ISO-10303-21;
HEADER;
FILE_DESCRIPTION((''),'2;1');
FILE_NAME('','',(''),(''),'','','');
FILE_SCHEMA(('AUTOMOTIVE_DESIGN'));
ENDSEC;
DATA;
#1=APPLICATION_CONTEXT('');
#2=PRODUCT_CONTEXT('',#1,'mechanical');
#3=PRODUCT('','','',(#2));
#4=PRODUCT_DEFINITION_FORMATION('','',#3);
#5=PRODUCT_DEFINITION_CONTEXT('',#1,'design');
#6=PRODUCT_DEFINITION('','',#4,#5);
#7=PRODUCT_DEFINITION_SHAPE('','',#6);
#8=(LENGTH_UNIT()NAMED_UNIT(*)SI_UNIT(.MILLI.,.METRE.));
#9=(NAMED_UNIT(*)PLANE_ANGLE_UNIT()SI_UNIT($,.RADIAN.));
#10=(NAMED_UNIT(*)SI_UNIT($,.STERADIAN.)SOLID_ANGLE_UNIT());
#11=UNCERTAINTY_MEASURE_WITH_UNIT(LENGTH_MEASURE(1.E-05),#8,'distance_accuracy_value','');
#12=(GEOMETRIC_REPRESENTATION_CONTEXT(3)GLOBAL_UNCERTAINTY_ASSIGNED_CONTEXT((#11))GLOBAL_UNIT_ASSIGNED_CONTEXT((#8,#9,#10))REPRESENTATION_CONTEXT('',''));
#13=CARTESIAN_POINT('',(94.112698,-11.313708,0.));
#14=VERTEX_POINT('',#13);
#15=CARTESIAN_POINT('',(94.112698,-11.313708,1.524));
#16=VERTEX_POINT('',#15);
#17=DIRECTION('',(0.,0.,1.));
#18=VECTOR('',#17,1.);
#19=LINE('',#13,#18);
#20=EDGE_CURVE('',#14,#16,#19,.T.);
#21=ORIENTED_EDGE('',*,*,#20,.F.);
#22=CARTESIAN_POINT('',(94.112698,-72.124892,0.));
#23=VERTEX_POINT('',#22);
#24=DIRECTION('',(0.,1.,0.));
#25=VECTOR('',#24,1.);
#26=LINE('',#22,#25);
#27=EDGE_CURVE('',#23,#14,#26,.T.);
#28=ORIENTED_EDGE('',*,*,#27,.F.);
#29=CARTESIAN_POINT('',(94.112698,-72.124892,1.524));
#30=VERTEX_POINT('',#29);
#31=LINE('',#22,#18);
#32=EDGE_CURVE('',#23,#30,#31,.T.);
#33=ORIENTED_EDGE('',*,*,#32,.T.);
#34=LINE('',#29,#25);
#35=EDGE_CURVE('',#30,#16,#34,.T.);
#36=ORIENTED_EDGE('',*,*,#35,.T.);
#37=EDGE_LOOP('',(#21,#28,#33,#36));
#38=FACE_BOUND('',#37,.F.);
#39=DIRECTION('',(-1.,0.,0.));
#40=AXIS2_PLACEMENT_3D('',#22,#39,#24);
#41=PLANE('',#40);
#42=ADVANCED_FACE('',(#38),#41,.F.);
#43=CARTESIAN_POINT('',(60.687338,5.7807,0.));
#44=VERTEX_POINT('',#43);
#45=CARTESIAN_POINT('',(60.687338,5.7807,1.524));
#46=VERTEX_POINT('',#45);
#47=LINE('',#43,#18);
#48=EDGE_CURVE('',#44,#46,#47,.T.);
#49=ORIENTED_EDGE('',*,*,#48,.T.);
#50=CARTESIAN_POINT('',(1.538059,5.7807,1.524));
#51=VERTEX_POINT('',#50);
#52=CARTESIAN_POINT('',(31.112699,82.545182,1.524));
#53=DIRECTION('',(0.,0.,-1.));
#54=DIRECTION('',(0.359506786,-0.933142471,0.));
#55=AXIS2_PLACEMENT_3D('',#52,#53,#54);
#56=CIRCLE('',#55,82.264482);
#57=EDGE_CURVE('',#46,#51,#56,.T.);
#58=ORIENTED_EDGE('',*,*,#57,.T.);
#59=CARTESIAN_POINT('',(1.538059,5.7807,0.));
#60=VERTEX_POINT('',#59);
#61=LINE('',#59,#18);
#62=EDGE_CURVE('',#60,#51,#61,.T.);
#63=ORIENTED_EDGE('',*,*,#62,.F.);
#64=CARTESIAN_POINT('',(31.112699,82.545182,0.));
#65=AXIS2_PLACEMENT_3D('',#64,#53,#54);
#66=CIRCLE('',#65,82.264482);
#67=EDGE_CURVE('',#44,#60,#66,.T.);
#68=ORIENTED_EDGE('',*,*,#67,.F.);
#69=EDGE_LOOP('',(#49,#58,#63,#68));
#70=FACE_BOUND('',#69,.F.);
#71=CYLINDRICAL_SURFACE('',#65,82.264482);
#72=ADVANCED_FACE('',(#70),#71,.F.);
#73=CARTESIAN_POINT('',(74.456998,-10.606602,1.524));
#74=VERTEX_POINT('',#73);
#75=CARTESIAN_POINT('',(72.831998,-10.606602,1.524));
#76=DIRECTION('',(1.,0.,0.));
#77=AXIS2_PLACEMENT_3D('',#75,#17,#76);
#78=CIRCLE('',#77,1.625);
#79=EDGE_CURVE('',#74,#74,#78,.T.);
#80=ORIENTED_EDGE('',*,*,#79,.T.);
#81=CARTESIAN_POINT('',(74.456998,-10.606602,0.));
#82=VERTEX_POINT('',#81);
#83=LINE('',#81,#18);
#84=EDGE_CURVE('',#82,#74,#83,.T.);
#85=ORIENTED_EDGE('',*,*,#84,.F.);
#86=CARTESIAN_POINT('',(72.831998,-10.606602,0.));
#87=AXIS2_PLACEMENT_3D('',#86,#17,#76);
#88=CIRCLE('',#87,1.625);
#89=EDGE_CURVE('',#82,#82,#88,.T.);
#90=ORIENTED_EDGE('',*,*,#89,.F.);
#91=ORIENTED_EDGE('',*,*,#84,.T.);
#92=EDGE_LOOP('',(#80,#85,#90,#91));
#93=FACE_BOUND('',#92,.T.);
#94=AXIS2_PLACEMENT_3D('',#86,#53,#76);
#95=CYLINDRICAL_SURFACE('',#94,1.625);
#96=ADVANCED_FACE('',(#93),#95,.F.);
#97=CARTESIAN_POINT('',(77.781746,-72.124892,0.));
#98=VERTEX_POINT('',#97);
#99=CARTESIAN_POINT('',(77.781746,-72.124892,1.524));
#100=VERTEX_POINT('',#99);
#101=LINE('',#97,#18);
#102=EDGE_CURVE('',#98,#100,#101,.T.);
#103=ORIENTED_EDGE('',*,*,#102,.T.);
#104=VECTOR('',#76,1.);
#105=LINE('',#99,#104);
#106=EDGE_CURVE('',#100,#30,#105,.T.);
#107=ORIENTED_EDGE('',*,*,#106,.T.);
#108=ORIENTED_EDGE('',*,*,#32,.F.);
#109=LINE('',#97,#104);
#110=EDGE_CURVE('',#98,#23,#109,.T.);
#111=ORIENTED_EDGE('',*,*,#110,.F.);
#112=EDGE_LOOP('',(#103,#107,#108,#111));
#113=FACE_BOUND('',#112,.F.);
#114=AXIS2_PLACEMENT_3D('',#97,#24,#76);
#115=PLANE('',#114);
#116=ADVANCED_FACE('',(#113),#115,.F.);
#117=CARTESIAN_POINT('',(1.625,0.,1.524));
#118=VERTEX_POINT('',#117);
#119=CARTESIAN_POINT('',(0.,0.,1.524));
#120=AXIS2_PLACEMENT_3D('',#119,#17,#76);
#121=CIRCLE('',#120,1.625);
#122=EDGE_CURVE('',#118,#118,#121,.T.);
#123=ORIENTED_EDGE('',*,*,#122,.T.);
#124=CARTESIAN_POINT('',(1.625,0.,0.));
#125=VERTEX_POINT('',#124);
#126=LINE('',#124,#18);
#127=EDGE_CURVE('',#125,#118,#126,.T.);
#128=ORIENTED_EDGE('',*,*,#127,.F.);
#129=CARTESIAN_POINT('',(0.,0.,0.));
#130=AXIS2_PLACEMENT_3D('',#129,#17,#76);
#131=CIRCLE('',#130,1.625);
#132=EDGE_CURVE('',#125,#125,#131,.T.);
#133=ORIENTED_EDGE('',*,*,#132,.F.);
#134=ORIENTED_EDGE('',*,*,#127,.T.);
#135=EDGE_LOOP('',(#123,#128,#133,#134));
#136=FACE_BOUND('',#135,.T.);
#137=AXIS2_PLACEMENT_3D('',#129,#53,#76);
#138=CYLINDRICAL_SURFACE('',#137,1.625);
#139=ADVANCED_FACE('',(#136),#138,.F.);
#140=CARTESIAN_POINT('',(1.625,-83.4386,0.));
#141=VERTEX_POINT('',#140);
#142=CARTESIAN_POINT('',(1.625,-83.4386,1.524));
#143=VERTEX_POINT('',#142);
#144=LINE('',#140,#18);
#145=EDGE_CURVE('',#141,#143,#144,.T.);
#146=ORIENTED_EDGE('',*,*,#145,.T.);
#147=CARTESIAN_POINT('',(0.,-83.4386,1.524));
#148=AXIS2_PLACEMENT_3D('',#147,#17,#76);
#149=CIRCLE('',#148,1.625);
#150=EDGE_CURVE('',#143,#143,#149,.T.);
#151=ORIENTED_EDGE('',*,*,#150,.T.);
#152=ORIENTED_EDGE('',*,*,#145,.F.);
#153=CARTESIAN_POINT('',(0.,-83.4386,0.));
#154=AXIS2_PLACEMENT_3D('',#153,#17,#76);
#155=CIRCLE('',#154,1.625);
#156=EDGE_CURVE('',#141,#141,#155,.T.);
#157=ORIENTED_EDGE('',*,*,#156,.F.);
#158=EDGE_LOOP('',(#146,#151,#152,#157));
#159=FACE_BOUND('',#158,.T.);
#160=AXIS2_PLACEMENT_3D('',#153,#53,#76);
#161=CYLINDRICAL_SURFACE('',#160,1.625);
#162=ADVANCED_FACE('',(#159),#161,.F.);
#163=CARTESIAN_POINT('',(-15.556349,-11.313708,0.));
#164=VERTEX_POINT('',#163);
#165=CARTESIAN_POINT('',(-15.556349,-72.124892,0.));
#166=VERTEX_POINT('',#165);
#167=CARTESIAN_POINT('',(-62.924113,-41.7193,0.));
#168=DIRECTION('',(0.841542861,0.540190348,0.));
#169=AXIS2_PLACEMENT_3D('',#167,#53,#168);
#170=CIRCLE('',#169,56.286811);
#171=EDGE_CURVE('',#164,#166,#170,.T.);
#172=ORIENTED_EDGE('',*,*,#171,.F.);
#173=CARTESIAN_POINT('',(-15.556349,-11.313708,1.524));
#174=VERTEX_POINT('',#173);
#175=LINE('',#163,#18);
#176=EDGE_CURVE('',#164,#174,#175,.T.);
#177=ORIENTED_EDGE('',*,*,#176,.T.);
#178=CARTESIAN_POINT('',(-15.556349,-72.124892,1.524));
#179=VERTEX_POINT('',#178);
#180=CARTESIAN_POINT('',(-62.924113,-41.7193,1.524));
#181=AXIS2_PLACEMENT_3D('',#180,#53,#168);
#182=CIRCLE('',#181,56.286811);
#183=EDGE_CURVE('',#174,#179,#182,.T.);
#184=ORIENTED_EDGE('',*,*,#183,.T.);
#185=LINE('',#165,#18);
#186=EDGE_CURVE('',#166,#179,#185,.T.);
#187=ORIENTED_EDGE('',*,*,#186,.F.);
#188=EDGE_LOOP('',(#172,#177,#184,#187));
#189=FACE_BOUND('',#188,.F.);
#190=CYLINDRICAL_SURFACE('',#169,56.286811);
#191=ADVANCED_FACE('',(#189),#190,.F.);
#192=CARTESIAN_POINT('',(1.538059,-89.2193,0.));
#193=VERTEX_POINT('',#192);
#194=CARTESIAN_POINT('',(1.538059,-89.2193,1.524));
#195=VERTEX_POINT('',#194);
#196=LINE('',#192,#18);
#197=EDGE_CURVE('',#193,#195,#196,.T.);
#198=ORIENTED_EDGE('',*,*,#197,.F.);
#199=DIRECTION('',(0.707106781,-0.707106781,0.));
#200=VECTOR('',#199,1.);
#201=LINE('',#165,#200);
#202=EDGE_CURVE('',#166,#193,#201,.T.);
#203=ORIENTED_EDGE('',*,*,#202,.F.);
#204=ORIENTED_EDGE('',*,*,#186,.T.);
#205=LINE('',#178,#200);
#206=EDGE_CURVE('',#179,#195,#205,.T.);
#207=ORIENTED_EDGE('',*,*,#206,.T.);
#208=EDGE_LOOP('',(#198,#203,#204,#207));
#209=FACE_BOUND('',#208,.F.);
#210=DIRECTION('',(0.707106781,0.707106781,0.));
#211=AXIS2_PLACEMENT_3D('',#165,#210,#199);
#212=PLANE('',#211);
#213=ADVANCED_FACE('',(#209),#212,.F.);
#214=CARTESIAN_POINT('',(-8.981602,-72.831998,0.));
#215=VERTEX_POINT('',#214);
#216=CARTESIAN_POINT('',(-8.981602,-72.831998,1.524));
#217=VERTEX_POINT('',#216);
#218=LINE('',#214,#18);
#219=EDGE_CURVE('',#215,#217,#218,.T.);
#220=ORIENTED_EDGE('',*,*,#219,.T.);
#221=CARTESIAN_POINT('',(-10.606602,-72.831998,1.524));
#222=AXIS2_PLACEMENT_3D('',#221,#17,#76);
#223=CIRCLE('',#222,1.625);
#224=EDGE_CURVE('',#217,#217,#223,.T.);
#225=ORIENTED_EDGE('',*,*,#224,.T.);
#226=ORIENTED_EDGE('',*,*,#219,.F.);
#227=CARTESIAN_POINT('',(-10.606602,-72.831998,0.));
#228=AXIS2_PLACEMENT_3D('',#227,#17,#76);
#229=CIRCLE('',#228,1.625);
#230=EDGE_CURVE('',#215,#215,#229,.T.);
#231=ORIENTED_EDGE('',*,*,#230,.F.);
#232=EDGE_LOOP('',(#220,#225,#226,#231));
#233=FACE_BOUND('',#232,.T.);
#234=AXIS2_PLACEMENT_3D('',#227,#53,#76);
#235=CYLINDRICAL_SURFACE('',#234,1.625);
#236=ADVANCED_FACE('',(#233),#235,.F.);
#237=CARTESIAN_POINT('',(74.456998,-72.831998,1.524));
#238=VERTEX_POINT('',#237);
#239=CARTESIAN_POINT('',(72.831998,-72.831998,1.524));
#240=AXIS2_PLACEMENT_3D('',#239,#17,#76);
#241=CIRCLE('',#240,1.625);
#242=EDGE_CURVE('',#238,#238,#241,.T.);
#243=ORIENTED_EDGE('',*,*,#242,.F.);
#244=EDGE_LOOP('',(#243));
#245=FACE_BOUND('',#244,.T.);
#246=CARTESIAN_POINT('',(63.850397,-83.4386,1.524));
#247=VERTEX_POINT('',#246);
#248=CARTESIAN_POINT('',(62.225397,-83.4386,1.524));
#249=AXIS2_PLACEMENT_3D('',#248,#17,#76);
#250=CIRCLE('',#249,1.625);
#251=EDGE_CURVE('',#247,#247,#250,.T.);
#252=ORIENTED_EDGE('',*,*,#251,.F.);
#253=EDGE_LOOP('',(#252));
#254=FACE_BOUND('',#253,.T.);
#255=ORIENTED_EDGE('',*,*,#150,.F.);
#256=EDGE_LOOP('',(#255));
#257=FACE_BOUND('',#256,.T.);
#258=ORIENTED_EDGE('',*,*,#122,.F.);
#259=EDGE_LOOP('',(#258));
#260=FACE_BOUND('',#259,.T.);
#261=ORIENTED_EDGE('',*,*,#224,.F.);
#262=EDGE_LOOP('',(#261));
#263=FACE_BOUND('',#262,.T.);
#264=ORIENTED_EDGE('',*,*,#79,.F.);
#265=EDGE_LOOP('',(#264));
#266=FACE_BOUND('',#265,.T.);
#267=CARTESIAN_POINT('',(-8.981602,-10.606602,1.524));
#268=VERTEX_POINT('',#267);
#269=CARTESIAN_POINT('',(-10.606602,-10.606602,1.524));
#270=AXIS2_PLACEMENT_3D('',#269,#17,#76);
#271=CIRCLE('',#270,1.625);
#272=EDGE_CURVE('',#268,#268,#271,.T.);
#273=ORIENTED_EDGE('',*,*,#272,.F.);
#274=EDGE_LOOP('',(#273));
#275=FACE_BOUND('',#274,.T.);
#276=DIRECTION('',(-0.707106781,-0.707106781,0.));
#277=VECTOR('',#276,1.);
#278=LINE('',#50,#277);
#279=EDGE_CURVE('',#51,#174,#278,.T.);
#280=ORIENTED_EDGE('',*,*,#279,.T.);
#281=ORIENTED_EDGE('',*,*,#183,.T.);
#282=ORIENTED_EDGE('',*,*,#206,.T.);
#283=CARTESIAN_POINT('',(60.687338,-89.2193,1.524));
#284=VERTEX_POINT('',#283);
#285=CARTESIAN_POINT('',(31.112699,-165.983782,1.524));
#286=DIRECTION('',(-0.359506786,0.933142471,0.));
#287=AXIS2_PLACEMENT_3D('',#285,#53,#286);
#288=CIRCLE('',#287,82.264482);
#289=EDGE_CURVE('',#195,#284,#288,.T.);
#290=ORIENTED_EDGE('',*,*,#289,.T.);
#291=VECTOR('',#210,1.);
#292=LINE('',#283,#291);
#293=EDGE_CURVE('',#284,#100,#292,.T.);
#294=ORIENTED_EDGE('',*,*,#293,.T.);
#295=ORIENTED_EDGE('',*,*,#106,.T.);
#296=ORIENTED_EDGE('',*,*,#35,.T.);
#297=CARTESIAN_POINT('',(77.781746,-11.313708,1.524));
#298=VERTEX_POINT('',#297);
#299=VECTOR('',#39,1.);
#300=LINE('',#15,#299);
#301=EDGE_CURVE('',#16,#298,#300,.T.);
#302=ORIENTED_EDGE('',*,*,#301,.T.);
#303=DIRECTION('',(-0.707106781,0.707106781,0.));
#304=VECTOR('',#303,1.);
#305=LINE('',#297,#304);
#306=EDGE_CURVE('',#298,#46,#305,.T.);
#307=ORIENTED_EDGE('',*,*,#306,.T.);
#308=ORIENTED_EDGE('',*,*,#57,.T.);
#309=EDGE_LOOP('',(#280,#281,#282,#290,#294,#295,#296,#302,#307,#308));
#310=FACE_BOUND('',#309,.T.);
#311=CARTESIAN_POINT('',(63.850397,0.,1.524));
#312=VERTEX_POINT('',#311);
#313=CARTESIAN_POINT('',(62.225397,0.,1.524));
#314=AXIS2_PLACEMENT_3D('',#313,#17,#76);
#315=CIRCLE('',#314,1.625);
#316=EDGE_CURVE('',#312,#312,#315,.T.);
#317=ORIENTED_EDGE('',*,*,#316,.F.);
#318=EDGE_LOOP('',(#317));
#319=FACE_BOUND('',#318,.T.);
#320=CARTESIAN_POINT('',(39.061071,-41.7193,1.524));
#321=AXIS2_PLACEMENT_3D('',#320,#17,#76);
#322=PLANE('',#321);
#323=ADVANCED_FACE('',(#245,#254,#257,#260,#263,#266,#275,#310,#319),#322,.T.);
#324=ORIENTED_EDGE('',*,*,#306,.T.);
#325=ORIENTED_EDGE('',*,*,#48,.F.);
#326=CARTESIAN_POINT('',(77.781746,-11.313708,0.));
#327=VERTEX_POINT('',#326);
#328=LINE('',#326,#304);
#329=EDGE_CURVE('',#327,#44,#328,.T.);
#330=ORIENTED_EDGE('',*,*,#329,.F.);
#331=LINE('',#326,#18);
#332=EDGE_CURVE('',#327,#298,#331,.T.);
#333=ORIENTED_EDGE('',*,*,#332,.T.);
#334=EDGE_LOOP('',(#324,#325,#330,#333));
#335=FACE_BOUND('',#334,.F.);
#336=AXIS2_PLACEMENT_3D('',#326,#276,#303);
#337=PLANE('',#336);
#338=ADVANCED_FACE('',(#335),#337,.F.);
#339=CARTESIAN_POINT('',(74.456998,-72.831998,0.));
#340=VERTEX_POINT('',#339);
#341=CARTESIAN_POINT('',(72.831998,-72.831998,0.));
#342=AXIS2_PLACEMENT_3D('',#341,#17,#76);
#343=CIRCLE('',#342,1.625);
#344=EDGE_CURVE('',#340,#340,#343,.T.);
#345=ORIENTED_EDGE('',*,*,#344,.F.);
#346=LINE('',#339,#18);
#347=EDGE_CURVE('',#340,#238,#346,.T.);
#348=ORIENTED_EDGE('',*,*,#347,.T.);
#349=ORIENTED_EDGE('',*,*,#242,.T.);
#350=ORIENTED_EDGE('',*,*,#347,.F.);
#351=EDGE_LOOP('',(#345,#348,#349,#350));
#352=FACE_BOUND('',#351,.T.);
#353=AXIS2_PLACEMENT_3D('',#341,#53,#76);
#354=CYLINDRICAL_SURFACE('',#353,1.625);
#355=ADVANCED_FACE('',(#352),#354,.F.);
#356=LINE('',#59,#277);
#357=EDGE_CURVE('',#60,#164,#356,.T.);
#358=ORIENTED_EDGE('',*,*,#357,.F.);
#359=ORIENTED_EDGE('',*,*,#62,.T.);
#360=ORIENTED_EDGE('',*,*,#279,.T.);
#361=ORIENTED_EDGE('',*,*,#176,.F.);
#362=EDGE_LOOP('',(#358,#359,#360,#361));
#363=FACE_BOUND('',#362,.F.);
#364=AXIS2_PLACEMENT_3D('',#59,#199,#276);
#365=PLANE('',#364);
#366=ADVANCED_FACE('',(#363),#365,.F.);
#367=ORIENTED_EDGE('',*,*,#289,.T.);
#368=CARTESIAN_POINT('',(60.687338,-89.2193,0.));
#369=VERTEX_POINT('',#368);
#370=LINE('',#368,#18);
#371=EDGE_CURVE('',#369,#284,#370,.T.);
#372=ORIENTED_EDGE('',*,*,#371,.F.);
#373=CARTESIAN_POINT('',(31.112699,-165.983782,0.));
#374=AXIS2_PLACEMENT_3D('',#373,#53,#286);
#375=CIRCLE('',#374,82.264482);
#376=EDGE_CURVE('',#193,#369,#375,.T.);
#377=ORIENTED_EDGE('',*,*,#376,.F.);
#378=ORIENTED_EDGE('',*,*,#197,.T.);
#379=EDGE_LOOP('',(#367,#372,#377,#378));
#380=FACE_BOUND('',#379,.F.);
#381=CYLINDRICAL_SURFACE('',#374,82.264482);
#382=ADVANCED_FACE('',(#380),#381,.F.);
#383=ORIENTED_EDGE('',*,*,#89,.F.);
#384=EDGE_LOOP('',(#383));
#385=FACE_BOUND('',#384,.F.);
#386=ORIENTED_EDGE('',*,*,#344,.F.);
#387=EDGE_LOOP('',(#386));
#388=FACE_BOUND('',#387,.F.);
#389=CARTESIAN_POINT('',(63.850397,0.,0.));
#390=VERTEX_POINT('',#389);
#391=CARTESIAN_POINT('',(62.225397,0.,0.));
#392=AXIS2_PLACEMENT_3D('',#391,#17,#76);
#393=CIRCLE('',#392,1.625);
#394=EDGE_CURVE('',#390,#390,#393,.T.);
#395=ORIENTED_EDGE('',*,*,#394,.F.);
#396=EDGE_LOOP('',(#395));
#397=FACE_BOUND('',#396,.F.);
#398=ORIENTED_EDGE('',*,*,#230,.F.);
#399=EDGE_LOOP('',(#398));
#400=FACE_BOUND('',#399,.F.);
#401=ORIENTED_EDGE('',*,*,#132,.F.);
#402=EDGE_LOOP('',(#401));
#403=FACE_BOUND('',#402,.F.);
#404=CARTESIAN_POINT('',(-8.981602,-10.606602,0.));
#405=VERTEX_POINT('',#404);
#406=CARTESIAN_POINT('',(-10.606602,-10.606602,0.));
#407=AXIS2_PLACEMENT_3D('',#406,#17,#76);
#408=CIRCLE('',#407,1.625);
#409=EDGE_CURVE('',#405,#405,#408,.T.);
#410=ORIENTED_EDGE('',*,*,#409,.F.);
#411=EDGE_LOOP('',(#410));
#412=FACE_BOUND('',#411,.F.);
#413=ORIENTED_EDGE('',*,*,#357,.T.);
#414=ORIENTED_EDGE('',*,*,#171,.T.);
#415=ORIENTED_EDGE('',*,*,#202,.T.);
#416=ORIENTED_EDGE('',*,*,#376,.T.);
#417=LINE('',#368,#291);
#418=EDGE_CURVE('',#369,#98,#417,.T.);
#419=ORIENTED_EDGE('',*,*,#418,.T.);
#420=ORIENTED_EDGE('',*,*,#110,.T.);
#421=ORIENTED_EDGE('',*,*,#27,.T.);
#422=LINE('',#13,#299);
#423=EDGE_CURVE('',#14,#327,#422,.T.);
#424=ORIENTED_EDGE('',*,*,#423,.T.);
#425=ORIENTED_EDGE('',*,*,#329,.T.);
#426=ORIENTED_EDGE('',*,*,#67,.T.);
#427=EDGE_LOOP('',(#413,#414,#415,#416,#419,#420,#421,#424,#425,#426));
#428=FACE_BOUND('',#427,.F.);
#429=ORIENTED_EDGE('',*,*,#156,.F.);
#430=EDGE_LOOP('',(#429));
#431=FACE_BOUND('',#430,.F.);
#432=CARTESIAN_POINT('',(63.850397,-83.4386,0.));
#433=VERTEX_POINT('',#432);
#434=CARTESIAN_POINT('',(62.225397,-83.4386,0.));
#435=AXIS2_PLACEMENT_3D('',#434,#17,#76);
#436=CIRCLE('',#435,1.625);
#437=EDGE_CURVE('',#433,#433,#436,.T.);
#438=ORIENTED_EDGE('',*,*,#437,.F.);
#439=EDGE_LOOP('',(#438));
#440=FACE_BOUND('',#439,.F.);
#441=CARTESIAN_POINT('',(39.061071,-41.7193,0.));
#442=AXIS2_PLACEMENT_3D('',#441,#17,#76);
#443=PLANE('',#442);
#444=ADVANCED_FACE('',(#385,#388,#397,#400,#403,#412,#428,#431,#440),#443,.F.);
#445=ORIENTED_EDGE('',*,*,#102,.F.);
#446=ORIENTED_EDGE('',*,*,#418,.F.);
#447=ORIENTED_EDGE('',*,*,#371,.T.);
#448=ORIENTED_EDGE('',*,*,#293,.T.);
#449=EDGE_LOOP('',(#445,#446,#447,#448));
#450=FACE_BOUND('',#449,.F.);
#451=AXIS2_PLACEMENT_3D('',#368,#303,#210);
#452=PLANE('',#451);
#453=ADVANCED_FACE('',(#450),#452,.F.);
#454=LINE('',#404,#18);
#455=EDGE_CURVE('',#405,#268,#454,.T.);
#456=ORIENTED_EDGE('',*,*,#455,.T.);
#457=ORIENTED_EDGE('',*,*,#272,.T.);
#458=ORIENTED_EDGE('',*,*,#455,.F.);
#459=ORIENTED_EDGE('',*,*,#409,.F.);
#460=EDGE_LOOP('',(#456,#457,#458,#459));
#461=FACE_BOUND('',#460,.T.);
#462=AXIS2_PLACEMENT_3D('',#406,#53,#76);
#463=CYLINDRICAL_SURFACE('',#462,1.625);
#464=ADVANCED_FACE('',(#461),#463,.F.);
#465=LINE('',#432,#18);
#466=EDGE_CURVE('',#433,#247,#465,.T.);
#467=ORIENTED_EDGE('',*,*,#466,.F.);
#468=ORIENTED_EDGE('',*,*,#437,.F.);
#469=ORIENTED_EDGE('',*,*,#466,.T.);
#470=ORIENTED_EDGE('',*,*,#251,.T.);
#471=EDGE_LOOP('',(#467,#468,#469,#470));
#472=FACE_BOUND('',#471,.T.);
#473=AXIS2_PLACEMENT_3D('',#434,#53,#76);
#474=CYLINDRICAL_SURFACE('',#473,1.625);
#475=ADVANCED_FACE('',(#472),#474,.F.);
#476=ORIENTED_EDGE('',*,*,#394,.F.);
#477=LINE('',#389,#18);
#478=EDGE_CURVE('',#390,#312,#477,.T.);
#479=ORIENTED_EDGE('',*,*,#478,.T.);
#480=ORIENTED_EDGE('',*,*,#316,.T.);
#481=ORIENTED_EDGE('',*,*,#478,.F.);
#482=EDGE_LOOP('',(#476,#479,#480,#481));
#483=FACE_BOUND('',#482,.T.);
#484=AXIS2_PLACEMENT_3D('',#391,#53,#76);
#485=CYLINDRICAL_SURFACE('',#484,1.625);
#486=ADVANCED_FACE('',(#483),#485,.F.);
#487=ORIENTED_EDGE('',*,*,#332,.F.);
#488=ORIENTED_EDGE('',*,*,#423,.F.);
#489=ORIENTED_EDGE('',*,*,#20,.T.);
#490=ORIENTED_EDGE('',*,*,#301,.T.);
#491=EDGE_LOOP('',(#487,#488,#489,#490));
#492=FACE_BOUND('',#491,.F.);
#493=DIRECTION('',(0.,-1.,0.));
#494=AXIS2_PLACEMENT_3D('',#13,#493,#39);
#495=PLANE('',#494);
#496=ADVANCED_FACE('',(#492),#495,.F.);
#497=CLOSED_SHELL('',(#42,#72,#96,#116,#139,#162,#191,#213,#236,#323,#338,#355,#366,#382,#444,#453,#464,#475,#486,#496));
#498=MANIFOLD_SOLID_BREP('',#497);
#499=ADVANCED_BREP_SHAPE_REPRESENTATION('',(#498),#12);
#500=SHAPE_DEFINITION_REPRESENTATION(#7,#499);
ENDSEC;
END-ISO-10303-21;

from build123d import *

# Parameters (mm, degrees)
F0_R     = 1.625
F1_DEPTH = 1.524


with BuildPart() as f1:
    # F0 (on Top) → F1 (new body)
    with BuildSketch(Plane.XY):
        with BuildLine():
            Line((1.538059, 5.7807), (-15.556349, -11.313708))
            ThreePointArc((-15.556349, -11.313708), (-6.637302, -41.7193), (-15.556349, -72.124892))
            Line((-15.556349, -72.124892), (1.538059, -89.2193))
            ThreePointArc((1.538059, -89.2193), (31.112698, -83.7193), (60.687338, -89.2193))
            Line((60.687338, -89.2193), (77.781746, -72.124892))
            Line((77.781746, -72.124892), (94.112698, -72.124892))
            Line((94.112698, -72.124892), (94.112698, -11.313708))
            Line((94.112698, -11.313708), (77.781746, -11.313708))
            Line((77.781746, -11.313708), (60.687338, 5.7807))
            ThreePointArc((60.687338, 5.7807), (31.112698, 0.2807), (1.538059, 5.7807))
        make_face()
        with Locations((0, -83.4386)):
            Circle(F0_R, mode=Mode.SUBTRACT)
        with Locations((-10.606602, -72.831998)):
            Circle(F0_R, mode=Mode.SUBTRACT)
        with Locations((62.225397, -83.4386)):
            Circle(F0_R, mode=Mode.SUBTRACT)
        with Locations((72.831998, -72.831998)):
            Circle(F0_R, mode=Mode.SUBTRACT)
        with Locations((-10.606602, -10.606602)):
            Circle(F0_R, mode=Mode.SUBTRACT)
        Circle(F0_R, mode=Mode.SUBTRACT)
        with Locations((62.225397, 0)):
            Circle(F0_R, mode=Mode.SUBTRACT)
        with Locations((72.831998, -10.606602)):
            Circle(F0_R, mode=Mode.SUBTRACT)
    extrude(amount=F1_DEPTH)


solid = f1.part
